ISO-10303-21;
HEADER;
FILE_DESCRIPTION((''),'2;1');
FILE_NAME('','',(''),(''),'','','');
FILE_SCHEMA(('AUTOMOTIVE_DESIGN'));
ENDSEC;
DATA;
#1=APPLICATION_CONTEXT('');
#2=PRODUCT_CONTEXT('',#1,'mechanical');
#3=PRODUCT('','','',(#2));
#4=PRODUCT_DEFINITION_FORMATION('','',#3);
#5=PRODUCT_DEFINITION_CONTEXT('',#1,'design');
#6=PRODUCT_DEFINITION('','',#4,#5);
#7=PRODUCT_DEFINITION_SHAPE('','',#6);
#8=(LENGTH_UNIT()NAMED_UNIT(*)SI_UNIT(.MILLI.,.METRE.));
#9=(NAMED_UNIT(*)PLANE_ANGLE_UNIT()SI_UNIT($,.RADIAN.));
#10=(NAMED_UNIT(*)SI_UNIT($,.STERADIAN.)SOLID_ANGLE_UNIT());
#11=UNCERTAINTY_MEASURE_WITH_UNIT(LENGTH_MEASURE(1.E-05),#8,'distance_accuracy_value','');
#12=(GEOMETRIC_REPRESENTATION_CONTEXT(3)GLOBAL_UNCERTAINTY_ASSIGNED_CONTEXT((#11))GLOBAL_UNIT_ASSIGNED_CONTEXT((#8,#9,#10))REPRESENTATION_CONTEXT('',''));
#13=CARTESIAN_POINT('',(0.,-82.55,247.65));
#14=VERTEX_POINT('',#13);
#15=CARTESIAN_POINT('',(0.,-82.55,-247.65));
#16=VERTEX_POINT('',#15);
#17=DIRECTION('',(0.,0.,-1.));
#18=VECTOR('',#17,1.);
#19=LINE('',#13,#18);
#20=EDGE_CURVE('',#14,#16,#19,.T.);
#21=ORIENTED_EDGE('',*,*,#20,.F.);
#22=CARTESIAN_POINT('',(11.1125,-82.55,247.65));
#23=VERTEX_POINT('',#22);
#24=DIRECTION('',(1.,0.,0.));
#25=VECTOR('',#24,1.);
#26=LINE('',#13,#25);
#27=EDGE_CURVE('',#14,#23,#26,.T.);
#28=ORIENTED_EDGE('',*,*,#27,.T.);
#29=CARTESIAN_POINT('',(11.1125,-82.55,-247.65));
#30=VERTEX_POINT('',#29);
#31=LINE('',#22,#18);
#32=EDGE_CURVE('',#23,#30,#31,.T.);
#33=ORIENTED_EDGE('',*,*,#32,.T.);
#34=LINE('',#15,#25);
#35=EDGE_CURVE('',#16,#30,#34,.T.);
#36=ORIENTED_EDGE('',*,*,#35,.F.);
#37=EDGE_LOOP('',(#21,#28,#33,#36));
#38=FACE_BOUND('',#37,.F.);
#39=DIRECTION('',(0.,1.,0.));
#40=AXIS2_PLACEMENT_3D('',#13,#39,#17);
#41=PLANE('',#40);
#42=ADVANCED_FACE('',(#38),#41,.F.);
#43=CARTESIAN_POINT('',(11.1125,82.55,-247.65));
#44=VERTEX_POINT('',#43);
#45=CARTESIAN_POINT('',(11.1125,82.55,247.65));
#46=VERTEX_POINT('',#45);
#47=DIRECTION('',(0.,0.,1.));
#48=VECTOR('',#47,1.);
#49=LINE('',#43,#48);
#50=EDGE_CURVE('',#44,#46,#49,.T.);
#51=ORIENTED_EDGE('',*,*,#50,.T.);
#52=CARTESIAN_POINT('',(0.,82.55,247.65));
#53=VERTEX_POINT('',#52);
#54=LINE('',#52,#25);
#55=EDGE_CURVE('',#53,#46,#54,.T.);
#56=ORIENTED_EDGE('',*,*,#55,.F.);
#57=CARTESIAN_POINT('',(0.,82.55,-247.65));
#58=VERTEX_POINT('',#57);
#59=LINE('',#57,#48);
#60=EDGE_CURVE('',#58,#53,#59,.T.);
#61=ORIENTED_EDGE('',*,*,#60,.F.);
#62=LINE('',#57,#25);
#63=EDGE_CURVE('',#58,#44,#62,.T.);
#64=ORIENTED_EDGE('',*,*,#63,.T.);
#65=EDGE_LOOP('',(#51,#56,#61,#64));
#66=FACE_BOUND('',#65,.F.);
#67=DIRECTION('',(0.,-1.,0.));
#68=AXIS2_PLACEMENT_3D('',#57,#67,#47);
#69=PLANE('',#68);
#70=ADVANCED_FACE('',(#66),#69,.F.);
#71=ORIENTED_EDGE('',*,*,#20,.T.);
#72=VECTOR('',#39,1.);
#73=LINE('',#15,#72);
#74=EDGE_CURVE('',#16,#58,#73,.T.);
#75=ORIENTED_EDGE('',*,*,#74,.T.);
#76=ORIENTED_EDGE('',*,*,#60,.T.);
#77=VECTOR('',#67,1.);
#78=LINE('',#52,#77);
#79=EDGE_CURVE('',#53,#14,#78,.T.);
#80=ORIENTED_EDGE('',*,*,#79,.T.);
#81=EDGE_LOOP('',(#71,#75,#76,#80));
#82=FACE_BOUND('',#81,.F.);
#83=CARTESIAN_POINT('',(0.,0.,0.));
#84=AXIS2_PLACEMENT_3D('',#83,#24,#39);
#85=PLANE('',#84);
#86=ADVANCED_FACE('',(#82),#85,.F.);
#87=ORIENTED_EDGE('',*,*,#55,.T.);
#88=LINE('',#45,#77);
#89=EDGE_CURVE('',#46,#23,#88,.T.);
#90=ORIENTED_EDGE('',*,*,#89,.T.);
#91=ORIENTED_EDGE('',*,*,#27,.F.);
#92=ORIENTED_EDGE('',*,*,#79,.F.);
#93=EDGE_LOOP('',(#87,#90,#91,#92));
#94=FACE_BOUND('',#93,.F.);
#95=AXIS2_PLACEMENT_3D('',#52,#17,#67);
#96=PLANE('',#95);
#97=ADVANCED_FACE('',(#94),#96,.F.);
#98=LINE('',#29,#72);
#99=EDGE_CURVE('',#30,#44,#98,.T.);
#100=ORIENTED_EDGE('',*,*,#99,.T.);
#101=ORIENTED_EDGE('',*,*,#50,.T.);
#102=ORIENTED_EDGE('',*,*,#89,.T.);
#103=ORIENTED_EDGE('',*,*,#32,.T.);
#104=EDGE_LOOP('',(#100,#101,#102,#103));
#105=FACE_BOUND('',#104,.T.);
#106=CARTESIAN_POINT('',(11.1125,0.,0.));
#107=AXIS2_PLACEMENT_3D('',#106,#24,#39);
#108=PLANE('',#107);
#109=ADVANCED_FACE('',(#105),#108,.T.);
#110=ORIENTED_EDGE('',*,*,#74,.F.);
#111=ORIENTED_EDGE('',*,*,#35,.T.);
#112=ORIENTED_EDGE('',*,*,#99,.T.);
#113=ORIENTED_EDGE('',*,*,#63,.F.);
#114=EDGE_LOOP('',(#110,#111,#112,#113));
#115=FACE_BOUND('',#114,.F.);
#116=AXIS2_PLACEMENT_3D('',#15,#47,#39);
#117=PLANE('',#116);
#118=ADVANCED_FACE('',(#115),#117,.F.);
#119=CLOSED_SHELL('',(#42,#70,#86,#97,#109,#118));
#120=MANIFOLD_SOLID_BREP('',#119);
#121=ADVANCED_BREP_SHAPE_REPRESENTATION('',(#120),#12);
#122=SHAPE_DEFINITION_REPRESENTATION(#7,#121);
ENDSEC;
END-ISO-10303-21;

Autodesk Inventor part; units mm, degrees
ref_plane "YZ Plane" through (0, 0, 0) normal (1, 0, 0) x (0, 1, 0)
ref_plane "XZ Plane" through (0, 0, 0) normal (0, 1, 0) x (-1, 0, 0)
ref_plane "XY Plane" through (0, 0, 0) normal (0, 0, 1) x (1, 0, 0)
sketch "Sketch1" plane through (0, 0, 0) normal (1, 0, 0) x (0, 1, 0)
  line L0 (-82.55, 247.65) -> (-82.55, -247.65)
  line L1 (-82.55, -247.65) -> (82.55, -247.65)
  line L2 (82.55, -247.65) -> (82.55, 247.65)
  line L3 (82.55, 247.65) -> (-82.55, 247.65)
  line L4 (-82.55, 247.65) -> (82.55, -247.65) construction
  line L5 (-82.55, -247.65) -> (82.55, 247.65) construction
  point P0 (0, 0)
  dimension "d0" = 495.3
  dimension "d1" = 165.1
extrude "Extrusion1" add sketch "Sketch1" along normal blind 11.1125
properties part number "Home Depot Composite Slat 19_5 in" material "Wood (Cherry)"
